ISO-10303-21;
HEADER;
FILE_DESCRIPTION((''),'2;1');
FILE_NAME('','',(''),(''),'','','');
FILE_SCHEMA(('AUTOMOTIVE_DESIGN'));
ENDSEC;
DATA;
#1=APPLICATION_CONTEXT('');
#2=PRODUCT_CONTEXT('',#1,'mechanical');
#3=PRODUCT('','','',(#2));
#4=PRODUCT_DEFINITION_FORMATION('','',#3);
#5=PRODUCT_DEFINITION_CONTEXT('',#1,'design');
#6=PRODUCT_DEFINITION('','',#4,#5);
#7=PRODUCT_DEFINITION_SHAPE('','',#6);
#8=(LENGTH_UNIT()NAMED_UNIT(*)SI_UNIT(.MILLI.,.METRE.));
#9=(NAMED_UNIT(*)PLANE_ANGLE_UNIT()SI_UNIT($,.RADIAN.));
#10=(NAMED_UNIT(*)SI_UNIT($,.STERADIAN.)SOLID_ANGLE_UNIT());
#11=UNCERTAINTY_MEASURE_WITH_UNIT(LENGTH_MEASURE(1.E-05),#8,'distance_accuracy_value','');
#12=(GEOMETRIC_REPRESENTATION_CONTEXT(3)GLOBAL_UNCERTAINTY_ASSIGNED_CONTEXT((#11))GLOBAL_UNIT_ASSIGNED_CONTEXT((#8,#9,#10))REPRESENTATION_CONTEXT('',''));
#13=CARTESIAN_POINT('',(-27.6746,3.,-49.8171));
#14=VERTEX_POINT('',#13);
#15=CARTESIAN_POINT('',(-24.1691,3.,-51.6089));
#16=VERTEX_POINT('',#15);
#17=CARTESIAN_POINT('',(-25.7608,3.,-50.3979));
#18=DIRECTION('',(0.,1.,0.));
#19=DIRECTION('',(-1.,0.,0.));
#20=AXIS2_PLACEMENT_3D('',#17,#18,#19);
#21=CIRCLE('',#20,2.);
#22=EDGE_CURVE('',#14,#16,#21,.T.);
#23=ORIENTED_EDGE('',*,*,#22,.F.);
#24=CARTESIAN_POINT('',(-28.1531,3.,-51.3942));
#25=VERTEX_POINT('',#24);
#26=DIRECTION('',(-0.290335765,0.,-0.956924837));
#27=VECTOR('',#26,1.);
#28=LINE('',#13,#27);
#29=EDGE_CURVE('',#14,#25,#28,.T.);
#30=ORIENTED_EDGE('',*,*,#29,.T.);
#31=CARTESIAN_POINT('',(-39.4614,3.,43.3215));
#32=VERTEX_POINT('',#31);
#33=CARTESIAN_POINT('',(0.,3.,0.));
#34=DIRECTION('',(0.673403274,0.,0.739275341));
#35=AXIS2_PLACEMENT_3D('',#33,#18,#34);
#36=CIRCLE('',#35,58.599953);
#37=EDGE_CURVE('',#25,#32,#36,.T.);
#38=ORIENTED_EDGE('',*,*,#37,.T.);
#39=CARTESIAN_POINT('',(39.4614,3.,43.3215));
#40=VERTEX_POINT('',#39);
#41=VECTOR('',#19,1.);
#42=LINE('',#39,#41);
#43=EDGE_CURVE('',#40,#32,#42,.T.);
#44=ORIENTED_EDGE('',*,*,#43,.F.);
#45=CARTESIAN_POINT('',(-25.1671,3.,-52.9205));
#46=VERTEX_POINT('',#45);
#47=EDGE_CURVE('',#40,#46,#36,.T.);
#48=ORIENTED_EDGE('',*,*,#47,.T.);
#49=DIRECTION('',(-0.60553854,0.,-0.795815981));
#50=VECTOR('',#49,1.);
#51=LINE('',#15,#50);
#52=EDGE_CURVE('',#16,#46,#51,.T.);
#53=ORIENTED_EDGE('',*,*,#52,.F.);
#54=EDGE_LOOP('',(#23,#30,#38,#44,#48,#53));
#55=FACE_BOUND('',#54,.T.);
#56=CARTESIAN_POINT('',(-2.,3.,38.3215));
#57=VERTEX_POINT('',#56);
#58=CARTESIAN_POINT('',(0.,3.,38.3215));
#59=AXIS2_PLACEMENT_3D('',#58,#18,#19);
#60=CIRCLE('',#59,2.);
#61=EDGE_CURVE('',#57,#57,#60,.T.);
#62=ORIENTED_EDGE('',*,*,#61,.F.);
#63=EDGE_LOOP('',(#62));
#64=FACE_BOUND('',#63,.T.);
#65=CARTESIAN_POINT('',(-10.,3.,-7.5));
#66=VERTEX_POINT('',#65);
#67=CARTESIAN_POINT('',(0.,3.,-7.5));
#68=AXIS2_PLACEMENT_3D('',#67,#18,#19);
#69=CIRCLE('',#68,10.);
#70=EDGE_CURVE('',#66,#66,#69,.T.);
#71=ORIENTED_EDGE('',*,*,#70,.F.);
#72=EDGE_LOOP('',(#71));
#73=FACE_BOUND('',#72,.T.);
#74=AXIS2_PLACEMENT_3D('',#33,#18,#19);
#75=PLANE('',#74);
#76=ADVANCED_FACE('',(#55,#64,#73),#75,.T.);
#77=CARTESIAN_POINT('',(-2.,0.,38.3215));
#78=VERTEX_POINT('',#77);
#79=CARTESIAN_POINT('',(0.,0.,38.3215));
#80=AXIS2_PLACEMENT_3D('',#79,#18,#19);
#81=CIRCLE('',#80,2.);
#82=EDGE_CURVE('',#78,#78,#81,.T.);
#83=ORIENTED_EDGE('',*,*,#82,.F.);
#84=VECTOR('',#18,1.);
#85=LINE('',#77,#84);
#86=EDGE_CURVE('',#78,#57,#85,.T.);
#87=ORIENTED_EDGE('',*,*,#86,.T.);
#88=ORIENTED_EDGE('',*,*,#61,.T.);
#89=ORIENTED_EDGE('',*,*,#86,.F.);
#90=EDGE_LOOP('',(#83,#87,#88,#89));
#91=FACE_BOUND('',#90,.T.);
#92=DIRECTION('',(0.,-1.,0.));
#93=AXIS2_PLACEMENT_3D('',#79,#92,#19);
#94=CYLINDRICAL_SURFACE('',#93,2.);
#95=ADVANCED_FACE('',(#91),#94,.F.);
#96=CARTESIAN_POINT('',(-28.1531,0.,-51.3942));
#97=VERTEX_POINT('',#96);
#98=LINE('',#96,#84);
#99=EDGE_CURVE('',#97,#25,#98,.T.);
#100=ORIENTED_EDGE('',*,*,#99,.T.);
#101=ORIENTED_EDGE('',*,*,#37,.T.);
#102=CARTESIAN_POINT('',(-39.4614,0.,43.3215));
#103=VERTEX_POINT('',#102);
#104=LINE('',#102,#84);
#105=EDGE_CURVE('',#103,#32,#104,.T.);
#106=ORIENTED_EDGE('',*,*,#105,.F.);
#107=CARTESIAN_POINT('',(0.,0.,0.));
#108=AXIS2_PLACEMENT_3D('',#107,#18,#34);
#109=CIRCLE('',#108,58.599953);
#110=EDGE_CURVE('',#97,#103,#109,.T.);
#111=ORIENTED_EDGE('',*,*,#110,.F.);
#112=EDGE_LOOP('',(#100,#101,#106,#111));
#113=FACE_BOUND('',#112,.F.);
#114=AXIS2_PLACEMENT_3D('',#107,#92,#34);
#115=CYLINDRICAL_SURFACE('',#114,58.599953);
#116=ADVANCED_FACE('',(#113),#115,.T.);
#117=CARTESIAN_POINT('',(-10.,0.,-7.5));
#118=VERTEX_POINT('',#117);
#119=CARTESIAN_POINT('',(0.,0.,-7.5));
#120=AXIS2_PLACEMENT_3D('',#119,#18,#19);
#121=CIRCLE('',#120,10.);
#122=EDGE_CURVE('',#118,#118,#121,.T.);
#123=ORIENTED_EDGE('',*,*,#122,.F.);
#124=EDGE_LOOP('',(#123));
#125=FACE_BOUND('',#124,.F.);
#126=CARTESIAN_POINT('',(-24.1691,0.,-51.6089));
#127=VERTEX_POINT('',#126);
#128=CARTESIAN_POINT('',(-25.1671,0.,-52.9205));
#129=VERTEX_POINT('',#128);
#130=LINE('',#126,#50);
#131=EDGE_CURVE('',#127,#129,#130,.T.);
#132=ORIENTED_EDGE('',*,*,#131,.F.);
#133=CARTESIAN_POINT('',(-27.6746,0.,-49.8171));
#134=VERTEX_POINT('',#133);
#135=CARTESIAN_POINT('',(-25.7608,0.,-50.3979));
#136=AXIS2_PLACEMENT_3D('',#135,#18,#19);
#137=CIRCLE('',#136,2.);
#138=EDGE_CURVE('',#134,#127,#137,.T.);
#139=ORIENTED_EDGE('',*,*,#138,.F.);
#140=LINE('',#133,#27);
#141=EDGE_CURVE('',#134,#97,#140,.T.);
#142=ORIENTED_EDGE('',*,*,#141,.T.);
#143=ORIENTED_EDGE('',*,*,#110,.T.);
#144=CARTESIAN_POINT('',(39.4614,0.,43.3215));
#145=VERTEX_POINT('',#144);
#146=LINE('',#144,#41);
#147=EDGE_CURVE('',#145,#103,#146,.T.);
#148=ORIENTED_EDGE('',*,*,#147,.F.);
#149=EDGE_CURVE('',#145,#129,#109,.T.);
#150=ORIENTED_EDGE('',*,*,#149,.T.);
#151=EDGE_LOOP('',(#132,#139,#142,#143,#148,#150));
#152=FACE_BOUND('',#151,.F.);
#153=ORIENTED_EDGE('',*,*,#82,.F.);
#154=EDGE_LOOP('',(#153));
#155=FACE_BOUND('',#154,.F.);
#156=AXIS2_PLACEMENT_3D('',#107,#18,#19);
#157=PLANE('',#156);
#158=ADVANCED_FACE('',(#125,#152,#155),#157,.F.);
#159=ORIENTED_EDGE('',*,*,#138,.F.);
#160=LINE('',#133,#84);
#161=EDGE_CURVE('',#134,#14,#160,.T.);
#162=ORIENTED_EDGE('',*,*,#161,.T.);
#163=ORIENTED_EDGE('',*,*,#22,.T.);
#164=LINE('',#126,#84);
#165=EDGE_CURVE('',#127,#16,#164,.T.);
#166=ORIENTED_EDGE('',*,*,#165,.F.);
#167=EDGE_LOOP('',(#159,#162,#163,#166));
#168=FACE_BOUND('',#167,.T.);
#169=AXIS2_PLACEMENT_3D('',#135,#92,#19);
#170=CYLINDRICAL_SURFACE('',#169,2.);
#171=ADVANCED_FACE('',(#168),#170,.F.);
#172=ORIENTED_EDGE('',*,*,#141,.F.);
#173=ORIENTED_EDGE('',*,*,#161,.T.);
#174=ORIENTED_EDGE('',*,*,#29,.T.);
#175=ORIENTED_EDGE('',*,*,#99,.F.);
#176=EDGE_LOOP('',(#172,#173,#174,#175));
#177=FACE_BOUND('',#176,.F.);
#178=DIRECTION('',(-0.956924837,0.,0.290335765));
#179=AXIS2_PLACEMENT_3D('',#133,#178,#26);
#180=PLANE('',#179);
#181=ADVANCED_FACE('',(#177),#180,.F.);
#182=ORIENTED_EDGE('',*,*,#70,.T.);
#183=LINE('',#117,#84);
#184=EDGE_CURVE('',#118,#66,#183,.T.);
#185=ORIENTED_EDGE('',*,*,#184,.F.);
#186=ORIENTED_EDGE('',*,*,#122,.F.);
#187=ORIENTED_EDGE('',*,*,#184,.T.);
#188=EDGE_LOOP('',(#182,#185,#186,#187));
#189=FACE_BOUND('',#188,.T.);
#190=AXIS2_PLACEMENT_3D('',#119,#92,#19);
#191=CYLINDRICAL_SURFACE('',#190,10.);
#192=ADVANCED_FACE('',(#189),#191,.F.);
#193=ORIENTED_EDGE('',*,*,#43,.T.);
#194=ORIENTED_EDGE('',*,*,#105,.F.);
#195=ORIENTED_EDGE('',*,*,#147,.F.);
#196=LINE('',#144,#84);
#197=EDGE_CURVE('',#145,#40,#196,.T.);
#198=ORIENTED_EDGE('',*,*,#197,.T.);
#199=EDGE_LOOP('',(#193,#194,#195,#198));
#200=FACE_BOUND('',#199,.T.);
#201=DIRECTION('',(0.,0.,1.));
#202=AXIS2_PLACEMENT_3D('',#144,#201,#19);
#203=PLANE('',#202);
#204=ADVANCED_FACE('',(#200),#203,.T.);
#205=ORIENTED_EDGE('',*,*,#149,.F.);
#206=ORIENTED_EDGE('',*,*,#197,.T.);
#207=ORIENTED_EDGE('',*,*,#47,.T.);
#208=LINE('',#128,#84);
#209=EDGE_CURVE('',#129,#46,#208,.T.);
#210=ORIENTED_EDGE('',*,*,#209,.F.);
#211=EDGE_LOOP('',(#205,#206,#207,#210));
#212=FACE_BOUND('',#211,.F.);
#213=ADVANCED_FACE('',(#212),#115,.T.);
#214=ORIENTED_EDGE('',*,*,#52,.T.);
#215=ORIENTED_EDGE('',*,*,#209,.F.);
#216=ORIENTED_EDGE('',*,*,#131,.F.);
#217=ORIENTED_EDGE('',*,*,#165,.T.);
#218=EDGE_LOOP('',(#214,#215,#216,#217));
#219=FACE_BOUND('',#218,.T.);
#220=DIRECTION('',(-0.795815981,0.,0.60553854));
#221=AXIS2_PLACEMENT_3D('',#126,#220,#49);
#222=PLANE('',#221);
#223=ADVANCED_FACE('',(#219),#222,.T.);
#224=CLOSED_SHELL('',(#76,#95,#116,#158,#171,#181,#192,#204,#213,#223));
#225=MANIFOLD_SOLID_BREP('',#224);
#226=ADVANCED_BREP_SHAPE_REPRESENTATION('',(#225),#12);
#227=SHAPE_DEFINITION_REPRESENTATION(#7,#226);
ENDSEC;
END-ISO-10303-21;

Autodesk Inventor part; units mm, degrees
ref_plane "YZ Plane" through (0, 0, 0) normal (1, 0, 0) x (0, 1, 0)
ref_plane "XZ Plane" through (0, 0, 0) normal (0, 1, 0) x (-1, 0, 0)
ref_plane "XY Plane" through (0, 0, 0) normal (0, 0, 1) x (1, 0, 0)
sketch "Sketch1" plane through (0, 0, 0) normal (0, 1, 0) x (-1, 0, 0)
  arc A0 (-39.616, 43.7215) -> (39.616, 43.7215) centre (0, 0) ccw construction
  line L0 (39.616, 43.7215) -> (-39.616, 43.7215)
  arc A1 (-39.4614, 43.3215) -> (39.4614, 43.3215) centre (0, 0) ccw
  line L1 (-39.4614, 43.3215) -> (39.4614, 43.3215)
  circle A2 centre (0, -7.5) radius 10
  circle A3 centre (0, 38.3215) radius 2
  circle A4 centre (25.7608, -50.3979) radius 2
  line L2 (27.6746, -49.8171) -> (28.1531, -51.3942)
  line L3 (24.1691, -51.6089) -> (25.1671, -52.9205)
  dimension "d0" = 118
  dimension "d1" = 79.232
  dimension "d2" = 0.4
  dimension "d3" = 20
  dimension "d4" = 7.5
  dimension "d5" = 4
  dimension "d6" = 5
  dimension "d7" = 4
extrude "Extrusion1" add sketch "Sketch1" along normal blind 3 contours L1 A1 L2 A4 L3
properties part number "Cover"
